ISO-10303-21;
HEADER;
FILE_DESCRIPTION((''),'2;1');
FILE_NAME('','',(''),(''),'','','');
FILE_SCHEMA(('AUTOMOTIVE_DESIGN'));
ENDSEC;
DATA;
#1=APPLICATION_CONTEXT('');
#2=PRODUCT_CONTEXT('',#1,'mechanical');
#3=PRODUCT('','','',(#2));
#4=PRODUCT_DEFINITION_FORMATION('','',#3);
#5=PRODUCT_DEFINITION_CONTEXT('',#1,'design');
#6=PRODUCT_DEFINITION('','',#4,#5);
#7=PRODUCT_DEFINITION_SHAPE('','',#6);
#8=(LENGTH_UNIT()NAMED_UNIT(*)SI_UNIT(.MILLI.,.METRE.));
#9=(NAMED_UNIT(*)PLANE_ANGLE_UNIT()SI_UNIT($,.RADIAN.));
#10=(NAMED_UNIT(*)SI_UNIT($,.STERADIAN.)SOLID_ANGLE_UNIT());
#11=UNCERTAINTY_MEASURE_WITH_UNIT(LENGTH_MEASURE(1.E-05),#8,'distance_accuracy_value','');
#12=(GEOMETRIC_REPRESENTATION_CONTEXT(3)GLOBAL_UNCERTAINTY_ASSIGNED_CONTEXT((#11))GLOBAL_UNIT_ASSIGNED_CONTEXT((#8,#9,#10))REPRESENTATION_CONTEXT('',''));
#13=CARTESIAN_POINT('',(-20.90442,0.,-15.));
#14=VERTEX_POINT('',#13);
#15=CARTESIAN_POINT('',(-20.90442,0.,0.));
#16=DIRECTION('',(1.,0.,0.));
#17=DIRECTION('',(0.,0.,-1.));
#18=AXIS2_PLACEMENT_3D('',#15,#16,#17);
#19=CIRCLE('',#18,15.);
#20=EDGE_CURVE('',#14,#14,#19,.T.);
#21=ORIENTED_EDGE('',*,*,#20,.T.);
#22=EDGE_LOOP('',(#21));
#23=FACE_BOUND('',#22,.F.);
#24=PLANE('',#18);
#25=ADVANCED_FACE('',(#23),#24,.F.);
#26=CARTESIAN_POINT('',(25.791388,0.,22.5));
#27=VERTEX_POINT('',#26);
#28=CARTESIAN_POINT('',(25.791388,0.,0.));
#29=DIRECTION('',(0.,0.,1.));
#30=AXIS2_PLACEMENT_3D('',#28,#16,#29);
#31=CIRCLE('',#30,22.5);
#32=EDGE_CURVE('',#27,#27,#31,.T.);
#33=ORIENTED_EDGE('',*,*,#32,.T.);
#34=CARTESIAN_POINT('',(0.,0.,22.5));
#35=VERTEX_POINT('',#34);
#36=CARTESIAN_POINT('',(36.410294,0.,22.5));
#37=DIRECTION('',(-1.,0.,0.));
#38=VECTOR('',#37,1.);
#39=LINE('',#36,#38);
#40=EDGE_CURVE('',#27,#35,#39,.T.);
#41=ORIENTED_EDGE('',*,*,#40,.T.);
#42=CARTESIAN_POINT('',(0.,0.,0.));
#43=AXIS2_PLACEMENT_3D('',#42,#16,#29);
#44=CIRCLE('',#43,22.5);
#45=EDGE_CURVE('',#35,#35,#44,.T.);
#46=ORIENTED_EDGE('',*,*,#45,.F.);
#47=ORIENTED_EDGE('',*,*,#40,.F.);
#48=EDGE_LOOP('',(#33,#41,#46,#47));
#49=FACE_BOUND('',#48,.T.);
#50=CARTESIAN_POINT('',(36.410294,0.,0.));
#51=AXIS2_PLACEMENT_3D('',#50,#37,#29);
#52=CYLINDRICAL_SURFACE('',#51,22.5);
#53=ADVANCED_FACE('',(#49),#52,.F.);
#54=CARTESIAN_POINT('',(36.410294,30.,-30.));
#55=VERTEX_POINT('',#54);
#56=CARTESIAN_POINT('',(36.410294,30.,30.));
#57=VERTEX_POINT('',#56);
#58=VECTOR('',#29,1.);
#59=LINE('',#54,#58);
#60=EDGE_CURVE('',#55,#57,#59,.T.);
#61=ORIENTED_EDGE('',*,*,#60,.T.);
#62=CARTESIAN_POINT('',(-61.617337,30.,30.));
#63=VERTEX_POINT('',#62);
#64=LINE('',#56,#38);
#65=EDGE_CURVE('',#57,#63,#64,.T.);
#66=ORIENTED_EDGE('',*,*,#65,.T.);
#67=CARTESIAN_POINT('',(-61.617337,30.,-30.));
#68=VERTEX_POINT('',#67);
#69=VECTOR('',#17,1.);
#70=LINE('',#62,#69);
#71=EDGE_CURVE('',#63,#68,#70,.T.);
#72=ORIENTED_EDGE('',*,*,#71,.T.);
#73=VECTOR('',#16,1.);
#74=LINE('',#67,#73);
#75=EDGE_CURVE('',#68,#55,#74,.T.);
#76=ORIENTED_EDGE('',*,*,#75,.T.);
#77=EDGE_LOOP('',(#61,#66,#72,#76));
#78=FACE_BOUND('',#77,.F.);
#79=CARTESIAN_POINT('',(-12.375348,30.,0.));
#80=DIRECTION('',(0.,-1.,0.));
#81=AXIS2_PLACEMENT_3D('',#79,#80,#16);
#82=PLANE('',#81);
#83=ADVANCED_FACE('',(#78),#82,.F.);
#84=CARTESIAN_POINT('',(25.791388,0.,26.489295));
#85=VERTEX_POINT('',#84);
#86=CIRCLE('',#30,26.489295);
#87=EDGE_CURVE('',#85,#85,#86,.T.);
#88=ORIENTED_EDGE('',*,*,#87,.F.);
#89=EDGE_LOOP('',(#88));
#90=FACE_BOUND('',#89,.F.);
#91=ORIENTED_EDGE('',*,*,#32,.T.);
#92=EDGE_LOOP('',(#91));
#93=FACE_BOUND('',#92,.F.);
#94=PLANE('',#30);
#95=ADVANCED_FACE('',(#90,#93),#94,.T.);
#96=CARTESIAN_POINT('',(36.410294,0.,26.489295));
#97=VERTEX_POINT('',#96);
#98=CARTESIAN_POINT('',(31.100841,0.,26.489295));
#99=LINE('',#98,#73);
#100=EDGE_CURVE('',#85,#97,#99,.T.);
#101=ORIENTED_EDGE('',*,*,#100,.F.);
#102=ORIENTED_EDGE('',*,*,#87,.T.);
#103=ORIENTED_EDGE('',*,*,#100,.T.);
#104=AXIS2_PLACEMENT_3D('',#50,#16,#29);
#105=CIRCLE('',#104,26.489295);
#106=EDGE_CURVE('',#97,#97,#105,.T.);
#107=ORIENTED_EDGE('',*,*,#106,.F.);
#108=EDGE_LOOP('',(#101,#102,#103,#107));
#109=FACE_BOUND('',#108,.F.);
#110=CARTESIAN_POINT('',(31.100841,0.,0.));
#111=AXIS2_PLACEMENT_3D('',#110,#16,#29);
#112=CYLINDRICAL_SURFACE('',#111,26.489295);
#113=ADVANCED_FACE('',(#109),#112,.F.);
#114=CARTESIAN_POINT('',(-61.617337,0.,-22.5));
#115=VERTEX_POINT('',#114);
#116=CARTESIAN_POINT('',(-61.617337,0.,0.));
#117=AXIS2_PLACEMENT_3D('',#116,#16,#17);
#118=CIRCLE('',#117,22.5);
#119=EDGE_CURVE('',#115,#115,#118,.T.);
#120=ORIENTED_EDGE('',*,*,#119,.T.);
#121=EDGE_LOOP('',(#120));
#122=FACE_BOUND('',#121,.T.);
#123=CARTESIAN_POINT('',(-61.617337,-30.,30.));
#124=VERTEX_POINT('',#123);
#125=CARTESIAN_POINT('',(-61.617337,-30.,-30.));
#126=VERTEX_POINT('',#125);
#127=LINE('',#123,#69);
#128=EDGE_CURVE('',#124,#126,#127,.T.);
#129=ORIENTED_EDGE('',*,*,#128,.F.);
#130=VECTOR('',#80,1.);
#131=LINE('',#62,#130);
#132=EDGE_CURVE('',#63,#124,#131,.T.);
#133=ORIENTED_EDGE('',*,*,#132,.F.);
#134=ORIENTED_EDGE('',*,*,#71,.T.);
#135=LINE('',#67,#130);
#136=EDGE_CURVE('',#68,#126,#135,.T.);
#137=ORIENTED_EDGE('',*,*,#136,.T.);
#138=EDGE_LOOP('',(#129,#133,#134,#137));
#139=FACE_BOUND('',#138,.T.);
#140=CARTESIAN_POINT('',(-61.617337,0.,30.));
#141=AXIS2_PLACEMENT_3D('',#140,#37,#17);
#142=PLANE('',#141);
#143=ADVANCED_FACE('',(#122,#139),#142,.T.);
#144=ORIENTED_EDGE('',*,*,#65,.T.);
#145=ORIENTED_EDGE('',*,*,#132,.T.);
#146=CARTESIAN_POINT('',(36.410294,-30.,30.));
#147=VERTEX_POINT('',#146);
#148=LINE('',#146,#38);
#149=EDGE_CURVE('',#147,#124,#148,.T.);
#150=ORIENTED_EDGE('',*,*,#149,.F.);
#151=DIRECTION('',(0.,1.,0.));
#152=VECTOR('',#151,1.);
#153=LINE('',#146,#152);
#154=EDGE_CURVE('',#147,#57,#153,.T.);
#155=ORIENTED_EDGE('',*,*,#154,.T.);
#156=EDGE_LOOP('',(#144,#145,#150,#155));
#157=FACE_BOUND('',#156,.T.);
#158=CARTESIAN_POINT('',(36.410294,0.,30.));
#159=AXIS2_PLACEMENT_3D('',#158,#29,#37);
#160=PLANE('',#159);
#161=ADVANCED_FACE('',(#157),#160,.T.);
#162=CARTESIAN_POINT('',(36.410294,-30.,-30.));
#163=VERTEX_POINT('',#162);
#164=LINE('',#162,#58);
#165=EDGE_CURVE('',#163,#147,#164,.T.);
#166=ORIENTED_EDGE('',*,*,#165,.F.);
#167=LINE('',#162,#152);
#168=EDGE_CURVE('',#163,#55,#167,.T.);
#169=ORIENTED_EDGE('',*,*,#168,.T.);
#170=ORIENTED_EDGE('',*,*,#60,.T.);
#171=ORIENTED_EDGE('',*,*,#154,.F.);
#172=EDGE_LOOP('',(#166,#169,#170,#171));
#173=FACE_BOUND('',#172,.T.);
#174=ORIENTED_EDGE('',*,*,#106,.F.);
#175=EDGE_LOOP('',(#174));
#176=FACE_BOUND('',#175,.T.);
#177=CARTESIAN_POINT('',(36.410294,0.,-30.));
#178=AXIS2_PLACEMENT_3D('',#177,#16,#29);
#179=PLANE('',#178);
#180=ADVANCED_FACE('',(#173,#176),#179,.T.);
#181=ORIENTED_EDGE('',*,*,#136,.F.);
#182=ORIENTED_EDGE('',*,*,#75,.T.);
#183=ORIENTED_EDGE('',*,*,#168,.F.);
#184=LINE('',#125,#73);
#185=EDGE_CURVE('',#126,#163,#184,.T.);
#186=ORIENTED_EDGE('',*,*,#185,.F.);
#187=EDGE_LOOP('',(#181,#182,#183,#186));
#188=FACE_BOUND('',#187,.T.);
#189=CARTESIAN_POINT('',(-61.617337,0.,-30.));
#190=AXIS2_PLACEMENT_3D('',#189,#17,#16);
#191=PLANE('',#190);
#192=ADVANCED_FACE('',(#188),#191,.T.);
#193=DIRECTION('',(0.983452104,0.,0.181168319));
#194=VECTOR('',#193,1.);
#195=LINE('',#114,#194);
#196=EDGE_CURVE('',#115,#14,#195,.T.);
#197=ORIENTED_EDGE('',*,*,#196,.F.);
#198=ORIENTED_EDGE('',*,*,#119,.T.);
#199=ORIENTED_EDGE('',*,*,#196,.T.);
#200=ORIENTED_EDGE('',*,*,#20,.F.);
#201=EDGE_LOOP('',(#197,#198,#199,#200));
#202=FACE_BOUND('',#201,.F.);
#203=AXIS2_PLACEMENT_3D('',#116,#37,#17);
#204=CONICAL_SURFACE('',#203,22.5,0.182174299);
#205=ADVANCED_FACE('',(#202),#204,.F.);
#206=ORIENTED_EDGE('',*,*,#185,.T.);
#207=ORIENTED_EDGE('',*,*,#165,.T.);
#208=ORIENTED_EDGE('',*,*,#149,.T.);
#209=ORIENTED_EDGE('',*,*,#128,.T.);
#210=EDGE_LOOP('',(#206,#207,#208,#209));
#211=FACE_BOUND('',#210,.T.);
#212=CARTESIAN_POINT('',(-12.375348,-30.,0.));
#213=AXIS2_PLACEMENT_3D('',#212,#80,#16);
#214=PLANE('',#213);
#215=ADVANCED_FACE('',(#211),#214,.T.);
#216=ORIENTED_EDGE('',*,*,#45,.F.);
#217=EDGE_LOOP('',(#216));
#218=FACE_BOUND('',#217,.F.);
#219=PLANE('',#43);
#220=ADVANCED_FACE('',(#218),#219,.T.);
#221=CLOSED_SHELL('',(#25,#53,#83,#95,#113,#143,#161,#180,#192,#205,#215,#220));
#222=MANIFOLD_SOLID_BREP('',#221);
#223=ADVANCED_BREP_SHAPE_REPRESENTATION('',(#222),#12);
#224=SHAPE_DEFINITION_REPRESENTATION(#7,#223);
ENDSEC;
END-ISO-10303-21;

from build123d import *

# Parameters (mm, degrees)
F0_W     = 10.6189064682
F0_H     = 22.5
F0_W_2   = 25.791388005
F0_H_2   = 3.9892950654
F1_DEPTH = 30


with BuildPart() as f1:
    # F0 (on Front) → F1 (new body, symmetric)
    with BuildSketch(Plane.XZ):
        Polygon((-61.6173371673, 30), (-61.6173371673, 22.5), (-20.9044199437, 15), (-20.9044199437, 0), (-20.9044199437, -15), (-61.6173371673, -22.5), (-61.6173371673, -30), (0, -30), (36.4102944732, -30), (36.4102944732, -26.4892950654), (25.791388005, -26.4892950654), (25.791388005, -22.5), (0, -22.5), (0, 0), (0, 22.5), (25.791388005, 22.5), (25.791388005, 26.4892950654), (36.4102944732, 26.4892950654), (36.4102944732, 30), (0, 30), align=None)
        with Locations((31.1008412391, 11.25)):
            Rectangle(F0_W, F0_H)
        with Locations((12.8956940025, 11.25)):
            Rectangle(F0_W_2, F0_H)
        Polygon((-20.9044199437, 15), (-61.6173371673, 22.5), (-61.6173371673, 0), (-20.9044199437, 0), align=None)
        Polygon((-20.9044199437, 0), (-61.6173371673, 0), (-61.6173371673, -22.5), (-20.9044199437, -15), align=None)
        with Locations((31.1008412391, -11.25)):
            Rectangle(F0_W, F0_H)
        with Locations((12.8956940025, -11.25)):
            Rectangle(F0_W_2, F0_H)
        with Locations((31.1008412391, 24.4946475327)):
            Rectangle(F0_W, F0_H_2)
        with Locations((31.1008412391, -24.4946475327)):
            Rectangle(F0_W, F0_H_2)
    extrude(amount=F1_DEPTH, both=True)

    # F0 (on Front) → F2 (revolve, cut)
    with BuildSketch(Plane.XZ):
        Polygon((-20.9044199437, 0), (-61.6173371673, 0), (-61.6173371673, -22.5), (-20.9044199437, -15), align=None)
    revolve(axis=Axis((-6.6388677806, 0, 0), (1, 0, 0)), mode=Mode.SUBTRACT)

    # F0 (on Front) → F3 (revolve, cut)
    with BuildSketch(Plane.XZ):
        with Locations((31.1008412391, 11.25)):
            Rectangle(F0_W, F0_H)
        with Locations((12.8956940025, 11.25)):
            Rectangle(F0_W_2, F0_H)
        with Locations((31.1008412391, 24.4946475327)):
            Rectangle(F0_W, F0_H_2)
    revolve(axis=Axis((-6.6388677806, 0, 0), (1, 0, 0)), mode=Mode.SUBTRACT)


solid = f1.part
